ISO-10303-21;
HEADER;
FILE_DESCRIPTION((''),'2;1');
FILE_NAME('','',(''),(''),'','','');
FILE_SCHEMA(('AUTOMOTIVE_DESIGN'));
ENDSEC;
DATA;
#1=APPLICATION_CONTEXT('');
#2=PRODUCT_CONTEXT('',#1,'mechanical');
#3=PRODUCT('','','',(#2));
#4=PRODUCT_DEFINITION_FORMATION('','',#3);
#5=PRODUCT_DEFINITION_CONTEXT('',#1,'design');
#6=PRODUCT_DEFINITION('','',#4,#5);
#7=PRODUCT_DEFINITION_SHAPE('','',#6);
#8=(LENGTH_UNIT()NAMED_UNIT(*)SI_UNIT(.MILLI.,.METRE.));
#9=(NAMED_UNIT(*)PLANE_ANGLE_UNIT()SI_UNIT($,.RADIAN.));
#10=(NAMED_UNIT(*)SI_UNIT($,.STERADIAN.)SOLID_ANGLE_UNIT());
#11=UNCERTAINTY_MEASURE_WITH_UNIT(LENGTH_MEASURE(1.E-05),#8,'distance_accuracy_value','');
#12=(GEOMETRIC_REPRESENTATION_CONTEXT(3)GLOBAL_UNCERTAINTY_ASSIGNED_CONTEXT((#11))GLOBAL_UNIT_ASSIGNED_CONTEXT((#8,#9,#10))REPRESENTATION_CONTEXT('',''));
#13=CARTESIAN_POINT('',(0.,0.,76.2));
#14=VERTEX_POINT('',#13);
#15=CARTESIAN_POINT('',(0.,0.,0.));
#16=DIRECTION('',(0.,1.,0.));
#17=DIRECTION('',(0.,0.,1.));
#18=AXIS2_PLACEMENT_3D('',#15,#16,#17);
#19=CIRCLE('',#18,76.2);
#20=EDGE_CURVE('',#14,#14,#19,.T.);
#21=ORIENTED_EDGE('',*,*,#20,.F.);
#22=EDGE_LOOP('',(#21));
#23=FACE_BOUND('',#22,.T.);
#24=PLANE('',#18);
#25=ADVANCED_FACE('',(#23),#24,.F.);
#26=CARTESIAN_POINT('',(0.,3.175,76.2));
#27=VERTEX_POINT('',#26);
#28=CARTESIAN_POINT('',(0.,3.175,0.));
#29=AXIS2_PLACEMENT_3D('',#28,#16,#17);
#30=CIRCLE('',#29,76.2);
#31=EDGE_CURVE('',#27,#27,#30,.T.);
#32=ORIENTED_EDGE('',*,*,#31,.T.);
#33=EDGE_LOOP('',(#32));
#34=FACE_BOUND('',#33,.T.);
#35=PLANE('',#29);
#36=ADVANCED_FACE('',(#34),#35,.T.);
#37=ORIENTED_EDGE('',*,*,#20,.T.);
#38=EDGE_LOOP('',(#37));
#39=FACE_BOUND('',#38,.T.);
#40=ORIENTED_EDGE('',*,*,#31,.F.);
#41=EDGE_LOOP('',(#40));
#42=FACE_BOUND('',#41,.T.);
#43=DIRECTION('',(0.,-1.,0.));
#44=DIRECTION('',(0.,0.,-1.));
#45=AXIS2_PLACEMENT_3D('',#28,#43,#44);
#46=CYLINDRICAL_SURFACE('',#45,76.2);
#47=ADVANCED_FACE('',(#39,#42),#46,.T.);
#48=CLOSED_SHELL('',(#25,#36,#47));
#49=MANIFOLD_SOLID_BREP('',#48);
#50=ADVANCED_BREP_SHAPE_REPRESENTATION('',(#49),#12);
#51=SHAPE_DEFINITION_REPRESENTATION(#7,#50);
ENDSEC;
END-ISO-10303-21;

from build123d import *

# Parameters (mm, degrees)
RECORD_SKETCH_R = 76.2
RECORD_DEPTH    = 3.175


with BuildPart() as part:
    # Record Sketch → Record (new body)
    with BuildSketch(Plane(origin=(0, 0, 0), x_dir=(1, 0, 0), z_dir=(0, 1, 0))):
        Circle(RECORD_SKETCH_R)
    extrude(amount=RECORD_DEPTH)


solid = part.part
